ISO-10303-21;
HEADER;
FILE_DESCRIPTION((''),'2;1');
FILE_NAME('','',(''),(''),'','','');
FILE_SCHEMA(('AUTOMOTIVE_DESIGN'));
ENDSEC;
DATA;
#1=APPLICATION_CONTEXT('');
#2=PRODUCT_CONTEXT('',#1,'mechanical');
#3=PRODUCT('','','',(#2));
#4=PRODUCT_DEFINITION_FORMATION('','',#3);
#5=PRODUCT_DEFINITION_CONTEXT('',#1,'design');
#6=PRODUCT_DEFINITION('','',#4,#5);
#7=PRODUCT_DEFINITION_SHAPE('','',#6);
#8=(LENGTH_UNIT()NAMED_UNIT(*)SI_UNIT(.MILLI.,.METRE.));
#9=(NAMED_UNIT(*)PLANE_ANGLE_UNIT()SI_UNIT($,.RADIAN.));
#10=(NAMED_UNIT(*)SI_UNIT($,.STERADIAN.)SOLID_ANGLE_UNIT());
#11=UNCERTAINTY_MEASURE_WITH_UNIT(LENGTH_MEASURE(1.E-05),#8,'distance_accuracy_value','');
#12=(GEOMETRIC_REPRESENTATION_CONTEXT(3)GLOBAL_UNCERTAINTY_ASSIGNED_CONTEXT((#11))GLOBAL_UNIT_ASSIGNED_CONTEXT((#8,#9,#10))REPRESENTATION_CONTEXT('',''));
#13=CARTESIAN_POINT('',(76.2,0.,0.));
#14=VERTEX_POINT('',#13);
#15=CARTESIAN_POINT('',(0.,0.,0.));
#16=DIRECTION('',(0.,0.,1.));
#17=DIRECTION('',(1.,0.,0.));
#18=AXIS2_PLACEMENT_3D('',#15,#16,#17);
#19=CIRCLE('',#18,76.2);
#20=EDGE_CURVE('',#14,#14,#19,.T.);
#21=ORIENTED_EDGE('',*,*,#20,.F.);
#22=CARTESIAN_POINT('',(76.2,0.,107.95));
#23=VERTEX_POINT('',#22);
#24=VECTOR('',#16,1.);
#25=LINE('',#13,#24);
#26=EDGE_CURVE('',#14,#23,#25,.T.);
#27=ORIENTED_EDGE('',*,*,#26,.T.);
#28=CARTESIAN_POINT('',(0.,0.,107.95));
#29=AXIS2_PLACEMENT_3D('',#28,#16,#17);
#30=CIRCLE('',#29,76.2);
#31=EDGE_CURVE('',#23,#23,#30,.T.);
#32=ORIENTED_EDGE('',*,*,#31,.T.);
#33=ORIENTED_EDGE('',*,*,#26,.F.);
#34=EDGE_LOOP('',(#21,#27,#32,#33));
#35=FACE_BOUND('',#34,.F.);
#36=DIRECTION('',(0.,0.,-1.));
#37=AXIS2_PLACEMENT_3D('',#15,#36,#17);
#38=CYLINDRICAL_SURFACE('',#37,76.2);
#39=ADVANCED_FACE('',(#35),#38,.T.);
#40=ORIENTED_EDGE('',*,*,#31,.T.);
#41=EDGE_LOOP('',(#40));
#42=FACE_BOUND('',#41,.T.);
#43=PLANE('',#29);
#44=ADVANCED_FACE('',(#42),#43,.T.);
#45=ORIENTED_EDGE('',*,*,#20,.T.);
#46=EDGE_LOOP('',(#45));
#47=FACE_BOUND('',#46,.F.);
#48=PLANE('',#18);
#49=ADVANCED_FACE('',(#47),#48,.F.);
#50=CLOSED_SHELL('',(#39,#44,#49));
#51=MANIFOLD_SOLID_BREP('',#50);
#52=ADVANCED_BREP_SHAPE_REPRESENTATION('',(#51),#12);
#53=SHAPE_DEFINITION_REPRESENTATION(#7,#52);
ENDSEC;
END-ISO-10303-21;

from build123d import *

# Parameters (mm, degrees)
F0_R     = 76.2
F1_DEPTH = 107.95
F2_R     = 15.820563
F3_DEPTH = 235.204
F4_R     = 29.432713
F5_DEPTH = 293.116


with BuildPart() as f1:
    # F0 (on Top) → F1 (new body)
    with BuildSketch(Plane.XY):
        Circle(F0_R)
    extrude(amount=F1_DEPTH)

    # F2 (on Top) → F3 (cut)
    with BuildSketch(Plane.XY):
        with Locations((-136.144727, 109.994054)):
            Circle(F2_R)
    extrude(amount=-F3_DEPTH, mode=Mode.SUBTRACT)

    # F4 (on Top) → F5 (cut)
    with BuildSketch(Plane.XY):
        Circle(F4_R)
    extrude(amount=-F5_DEPTH, mode=Mode.SUBTRACT)


solid = f1.part
